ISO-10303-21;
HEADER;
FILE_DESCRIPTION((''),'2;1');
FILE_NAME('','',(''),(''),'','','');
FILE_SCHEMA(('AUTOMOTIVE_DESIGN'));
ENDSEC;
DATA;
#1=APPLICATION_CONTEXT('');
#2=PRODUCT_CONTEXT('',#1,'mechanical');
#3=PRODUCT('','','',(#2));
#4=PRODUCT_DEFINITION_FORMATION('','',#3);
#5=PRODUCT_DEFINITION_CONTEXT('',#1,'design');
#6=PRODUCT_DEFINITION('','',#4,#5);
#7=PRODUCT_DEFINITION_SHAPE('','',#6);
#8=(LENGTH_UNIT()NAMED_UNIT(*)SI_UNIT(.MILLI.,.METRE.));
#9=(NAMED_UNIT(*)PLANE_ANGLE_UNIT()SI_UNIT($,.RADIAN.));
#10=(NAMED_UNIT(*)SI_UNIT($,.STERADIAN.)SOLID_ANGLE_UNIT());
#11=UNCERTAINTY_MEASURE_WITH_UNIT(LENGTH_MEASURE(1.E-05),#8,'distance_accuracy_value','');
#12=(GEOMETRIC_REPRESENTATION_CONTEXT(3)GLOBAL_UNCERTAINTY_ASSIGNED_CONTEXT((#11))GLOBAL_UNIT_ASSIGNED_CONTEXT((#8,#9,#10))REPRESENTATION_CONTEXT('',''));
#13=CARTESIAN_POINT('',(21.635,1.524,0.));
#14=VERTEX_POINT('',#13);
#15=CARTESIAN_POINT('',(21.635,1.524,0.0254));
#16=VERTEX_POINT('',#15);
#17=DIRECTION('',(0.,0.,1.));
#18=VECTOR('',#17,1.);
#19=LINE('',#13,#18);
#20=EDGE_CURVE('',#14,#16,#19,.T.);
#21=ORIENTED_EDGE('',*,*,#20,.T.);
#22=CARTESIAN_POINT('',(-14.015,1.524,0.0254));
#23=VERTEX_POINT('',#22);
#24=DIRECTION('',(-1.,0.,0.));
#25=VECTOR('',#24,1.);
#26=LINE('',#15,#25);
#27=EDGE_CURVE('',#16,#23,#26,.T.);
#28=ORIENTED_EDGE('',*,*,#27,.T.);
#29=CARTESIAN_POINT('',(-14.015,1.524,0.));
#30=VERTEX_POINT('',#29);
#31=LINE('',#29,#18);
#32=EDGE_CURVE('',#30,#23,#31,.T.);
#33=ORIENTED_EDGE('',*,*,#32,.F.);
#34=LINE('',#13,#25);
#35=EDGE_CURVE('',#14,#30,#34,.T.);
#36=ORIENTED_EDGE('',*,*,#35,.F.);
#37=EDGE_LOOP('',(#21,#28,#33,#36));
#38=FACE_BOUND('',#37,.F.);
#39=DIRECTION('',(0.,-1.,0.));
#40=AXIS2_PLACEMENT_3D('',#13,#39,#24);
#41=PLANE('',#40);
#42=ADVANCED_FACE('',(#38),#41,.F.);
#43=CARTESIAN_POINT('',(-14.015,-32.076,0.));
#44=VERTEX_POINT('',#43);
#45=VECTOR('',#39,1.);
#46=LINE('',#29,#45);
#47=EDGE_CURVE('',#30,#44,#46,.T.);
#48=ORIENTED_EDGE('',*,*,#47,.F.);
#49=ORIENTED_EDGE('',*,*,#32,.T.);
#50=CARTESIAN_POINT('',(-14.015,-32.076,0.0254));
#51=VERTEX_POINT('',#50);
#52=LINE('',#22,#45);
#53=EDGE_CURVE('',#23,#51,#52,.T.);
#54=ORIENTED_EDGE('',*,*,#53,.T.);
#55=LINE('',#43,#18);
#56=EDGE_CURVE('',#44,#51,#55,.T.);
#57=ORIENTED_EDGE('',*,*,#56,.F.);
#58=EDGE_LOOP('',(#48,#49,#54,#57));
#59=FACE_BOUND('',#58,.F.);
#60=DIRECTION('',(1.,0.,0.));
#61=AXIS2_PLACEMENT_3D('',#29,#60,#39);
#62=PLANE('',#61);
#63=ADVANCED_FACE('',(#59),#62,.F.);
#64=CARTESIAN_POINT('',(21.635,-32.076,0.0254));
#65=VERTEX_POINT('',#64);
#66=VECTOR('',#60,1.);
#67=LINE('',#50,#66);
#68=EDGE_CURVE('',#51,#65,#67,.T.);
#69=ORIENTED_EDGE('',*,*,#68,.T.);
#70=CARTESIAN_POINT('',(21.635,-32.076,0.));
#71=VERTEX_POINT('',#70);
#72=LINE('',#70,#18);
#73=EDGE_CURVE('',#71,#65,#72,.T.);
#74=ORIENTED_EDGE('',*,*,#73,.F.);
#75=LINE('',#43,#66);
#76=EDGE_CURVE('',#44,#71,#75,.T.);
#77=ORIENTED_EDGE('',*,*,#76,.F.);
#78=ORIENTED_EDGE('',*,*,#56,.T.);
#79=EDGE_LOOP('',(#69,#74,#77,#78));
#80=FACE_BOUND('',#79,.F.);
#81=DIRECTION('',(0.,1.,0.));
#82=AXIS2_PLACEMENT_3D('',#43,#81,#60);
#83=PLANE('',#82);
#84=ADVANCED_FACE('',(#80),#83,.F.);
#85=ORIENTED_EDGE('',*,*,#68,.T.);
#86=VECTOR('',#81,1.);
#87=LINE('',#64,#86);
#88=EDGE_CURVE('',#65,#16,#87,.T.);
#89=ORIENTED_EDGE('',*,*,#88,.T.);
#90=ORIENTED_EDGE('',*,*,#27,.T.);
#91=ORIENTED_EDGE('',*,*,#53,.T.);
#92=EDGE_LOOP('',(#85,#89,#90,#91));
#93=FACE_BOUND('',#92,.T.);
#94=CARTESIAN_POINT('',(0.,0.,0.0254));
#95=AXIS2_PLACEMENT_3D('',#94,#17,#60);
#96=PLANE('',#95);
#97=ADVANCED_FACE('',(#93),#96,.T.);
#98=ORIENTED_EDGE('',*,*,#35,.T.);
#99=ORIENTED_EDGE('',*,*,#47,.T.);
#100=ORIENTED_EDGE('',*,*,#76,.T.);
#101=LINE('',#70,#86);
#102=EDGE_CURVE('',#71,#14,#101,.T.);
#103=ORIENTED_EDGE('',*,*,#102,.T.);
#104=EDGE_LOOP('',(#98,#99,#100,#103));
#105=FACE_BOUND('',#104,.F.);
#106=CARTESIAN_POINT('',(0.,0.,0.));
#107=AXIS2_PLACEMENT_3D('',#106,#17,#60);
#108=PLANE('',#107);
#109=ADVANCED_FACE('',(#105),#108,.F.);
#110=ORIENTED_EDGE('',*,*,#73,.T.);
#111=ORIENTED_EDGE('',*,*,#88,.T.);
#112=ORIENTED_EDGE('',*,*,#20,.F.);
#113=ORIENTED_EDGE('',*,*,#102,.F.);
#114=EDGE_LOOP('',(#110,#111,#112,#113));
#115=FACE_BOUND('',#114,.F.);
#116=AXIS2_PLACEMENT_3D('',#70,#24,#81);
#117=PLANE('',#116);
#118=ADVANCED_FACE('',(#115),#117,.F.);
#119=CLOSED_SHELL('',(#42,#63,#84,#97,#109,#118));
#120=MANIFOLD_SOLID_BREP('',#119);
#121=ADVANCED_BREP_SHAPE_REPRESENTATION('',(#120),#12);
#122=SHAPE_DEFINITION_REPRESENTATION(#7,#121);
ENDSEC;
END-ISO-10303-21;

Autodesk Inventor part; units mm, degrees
ref_plane "YZ Plane" through (0, 0, 0) normal (1, 0, 0) x (0, 1, 0)
ref_plane "XZ Plane" through (0, 0, 0) normal (0, 1, 0) x (-1, 0, 0)
ref_plane "XY Plane" through (0, 0, 0) normal (0, 0, 1) x (1, 0, 0)
sketch "Sketch1" plane through (0, 0, 0) normal (0, 0, 1) x (1, 0, 0)
  line L0 (-14.015, -32.076) -> (21.635, -32.076)
  line L1 (21.635, -32.076) -> (21.635, 1.524)
  line L2 (21.635, 1.524) -> (-14.015, 1.524)
  line L3 (-14.015, 1.524) -> (-14.015, -32.076)
extrude "Extrusion1" add sketch "Sketch1" along normal blind 0.0254
properties part number "OLED_1_3_CARRIERBOARD-Footprint-1_CMP-00028-00008-2"
